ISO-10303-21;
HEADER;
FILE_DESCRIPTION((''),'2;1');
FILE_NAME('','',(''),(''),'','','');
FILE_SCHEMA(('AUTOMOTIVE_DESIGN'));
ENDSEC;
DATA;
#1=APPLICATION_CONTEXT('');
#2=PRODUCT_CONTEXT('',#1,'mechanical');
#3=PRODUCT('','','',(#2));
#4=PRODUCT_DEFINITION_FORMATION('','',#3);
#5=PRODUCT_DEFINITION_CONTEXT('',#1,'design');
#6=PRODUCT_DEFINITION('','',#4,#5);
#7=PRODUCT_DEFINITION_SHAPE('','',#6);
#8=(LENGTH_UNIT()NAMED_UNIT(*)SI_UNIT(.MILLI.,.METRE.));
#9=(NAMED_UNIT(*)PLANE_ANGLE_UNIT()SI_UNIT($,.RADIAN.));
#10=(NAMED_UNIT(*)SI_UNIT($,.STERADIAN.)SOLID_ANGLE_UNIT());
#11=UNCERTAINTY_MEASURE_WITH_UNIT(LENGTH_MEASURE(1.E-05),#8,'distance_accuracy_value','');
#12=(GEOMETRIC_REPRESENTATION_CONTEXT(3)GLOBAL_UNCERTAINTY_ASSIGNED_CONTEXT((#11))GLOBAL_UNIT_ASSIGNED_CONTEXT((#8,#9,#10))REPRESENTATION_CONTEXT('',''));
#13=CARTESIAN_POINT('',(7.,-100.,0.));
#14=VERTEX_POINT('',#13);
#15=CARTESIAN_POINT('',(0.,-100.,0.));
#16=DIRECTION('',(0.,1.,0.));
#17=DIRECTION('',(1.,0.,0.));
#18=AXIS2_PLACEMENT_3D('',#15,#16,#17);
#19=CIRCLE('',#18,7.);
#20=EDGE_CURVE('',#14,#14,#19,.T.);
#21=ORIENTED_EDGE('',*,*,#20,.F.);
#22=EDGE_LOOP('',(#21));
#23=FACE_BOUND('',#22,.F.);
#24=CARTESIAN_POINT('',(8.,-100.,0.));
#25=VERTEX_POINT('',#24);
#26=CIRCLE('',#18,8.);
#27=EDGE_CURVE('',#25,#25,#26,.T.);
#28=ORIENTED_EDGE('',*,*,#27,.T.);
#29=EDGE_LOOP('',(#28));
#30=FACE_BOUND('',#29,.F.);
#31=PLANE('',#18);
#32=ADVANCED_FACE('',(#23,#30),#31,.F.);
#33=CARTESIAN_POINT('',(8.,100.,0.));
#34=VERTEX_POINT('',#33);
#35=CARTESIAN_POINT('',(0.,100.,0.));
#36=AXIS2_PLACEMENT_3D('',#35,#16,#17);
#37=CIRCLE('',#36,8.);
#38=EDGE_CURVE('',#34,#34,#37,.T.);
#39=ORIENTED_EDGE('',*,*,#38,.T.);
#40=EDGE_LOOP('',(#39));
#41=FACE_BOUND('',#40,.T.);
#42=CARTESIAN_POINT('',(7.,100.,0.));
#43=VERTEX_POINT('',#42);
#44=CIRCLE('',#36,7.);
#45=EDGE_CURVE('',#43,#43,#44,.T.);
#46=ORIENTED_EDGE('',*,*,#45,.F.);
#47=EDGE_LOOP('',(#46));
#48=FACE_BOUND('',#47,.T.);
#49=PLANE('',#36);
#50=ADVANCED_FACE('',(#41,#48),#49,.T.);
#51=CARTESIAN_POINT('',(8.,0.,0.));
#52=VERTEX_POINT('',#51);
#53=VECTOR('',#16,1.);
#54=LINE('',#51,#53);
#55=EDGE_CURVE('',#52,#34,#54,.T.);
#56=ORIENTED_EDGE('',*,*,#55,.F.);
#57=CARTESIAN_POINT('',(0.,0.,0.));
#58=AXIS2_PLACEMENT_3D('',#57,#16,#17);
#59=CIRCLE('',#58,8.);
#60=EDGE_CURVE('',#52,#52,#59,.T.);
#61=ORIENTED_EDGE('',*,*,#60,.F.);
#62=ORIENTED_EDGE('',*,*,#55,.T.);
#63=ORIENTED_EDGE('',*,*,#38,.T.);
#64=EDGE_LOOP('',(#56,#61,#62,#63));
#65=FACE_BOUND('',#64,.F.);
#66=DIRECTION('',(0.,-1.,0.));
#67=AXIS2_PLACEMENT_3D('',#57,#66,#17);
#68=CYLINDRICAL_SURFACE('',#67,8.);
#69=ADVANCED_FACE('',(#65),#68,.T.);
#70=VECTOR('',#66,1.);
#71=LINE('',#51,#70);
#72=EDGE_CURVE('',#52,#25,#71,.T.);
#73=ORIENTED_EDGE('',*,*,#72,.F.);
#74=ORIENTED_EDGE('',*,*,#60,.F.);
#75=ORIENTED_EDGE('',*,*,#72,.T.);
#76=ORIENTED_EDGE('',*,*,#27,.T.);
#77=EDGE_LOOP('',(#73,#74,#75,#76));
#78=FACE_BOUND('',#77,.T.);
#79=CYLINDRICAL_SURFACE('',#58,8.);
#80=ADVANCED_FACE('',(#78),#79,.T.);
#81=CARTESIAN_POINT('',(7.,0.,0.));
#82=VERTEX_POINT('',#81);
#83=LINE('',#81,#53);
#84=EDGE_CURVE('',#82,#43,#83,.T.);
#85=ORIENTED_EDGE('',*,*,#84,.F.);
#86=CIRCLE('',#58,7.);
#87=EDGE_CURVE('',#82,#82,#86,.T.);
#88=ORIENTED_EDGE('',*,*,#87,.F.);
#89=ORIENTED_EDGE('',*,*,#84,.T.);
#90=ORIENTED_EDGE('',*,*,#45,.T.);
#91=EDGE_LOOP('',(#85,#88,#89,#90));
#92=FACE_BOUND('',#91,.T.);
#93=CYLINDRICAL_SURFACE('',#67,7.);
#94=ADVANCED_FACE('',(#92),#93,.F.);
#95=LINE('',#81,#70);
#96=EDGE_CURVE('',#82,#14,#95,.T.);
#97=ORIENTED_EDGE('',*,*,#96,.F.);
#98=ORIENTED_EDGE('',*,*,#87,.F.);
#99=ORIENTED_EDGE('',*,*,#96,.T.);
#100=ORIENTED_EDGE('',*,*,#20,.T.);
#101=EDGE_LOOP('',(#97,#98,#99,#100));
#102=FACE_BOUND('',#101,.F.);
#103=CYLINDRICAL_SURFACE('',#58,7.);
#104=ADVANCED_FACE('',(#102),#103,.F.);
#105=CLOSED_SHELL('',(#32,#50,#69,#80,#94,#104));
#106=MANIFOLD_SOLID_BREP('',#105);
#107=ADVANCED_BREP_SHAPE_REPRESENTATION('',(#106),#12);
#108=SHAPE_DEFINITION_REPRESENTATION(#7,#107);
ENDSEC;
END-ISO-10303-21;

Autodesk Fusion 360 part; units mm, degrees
sketch "Sketch1" plane through (0, 0, 0) normal (0, 1, 0) x (1, 0, 0)
  circle A0 centre (0, 0) radius 8
  circle A1 centre (0, 0) radius 7
  dimension "d1" = 16
  dimension "d2" = 14
extrude "Extrude1" add sketch "Sketch1" along normal mid plane 200
